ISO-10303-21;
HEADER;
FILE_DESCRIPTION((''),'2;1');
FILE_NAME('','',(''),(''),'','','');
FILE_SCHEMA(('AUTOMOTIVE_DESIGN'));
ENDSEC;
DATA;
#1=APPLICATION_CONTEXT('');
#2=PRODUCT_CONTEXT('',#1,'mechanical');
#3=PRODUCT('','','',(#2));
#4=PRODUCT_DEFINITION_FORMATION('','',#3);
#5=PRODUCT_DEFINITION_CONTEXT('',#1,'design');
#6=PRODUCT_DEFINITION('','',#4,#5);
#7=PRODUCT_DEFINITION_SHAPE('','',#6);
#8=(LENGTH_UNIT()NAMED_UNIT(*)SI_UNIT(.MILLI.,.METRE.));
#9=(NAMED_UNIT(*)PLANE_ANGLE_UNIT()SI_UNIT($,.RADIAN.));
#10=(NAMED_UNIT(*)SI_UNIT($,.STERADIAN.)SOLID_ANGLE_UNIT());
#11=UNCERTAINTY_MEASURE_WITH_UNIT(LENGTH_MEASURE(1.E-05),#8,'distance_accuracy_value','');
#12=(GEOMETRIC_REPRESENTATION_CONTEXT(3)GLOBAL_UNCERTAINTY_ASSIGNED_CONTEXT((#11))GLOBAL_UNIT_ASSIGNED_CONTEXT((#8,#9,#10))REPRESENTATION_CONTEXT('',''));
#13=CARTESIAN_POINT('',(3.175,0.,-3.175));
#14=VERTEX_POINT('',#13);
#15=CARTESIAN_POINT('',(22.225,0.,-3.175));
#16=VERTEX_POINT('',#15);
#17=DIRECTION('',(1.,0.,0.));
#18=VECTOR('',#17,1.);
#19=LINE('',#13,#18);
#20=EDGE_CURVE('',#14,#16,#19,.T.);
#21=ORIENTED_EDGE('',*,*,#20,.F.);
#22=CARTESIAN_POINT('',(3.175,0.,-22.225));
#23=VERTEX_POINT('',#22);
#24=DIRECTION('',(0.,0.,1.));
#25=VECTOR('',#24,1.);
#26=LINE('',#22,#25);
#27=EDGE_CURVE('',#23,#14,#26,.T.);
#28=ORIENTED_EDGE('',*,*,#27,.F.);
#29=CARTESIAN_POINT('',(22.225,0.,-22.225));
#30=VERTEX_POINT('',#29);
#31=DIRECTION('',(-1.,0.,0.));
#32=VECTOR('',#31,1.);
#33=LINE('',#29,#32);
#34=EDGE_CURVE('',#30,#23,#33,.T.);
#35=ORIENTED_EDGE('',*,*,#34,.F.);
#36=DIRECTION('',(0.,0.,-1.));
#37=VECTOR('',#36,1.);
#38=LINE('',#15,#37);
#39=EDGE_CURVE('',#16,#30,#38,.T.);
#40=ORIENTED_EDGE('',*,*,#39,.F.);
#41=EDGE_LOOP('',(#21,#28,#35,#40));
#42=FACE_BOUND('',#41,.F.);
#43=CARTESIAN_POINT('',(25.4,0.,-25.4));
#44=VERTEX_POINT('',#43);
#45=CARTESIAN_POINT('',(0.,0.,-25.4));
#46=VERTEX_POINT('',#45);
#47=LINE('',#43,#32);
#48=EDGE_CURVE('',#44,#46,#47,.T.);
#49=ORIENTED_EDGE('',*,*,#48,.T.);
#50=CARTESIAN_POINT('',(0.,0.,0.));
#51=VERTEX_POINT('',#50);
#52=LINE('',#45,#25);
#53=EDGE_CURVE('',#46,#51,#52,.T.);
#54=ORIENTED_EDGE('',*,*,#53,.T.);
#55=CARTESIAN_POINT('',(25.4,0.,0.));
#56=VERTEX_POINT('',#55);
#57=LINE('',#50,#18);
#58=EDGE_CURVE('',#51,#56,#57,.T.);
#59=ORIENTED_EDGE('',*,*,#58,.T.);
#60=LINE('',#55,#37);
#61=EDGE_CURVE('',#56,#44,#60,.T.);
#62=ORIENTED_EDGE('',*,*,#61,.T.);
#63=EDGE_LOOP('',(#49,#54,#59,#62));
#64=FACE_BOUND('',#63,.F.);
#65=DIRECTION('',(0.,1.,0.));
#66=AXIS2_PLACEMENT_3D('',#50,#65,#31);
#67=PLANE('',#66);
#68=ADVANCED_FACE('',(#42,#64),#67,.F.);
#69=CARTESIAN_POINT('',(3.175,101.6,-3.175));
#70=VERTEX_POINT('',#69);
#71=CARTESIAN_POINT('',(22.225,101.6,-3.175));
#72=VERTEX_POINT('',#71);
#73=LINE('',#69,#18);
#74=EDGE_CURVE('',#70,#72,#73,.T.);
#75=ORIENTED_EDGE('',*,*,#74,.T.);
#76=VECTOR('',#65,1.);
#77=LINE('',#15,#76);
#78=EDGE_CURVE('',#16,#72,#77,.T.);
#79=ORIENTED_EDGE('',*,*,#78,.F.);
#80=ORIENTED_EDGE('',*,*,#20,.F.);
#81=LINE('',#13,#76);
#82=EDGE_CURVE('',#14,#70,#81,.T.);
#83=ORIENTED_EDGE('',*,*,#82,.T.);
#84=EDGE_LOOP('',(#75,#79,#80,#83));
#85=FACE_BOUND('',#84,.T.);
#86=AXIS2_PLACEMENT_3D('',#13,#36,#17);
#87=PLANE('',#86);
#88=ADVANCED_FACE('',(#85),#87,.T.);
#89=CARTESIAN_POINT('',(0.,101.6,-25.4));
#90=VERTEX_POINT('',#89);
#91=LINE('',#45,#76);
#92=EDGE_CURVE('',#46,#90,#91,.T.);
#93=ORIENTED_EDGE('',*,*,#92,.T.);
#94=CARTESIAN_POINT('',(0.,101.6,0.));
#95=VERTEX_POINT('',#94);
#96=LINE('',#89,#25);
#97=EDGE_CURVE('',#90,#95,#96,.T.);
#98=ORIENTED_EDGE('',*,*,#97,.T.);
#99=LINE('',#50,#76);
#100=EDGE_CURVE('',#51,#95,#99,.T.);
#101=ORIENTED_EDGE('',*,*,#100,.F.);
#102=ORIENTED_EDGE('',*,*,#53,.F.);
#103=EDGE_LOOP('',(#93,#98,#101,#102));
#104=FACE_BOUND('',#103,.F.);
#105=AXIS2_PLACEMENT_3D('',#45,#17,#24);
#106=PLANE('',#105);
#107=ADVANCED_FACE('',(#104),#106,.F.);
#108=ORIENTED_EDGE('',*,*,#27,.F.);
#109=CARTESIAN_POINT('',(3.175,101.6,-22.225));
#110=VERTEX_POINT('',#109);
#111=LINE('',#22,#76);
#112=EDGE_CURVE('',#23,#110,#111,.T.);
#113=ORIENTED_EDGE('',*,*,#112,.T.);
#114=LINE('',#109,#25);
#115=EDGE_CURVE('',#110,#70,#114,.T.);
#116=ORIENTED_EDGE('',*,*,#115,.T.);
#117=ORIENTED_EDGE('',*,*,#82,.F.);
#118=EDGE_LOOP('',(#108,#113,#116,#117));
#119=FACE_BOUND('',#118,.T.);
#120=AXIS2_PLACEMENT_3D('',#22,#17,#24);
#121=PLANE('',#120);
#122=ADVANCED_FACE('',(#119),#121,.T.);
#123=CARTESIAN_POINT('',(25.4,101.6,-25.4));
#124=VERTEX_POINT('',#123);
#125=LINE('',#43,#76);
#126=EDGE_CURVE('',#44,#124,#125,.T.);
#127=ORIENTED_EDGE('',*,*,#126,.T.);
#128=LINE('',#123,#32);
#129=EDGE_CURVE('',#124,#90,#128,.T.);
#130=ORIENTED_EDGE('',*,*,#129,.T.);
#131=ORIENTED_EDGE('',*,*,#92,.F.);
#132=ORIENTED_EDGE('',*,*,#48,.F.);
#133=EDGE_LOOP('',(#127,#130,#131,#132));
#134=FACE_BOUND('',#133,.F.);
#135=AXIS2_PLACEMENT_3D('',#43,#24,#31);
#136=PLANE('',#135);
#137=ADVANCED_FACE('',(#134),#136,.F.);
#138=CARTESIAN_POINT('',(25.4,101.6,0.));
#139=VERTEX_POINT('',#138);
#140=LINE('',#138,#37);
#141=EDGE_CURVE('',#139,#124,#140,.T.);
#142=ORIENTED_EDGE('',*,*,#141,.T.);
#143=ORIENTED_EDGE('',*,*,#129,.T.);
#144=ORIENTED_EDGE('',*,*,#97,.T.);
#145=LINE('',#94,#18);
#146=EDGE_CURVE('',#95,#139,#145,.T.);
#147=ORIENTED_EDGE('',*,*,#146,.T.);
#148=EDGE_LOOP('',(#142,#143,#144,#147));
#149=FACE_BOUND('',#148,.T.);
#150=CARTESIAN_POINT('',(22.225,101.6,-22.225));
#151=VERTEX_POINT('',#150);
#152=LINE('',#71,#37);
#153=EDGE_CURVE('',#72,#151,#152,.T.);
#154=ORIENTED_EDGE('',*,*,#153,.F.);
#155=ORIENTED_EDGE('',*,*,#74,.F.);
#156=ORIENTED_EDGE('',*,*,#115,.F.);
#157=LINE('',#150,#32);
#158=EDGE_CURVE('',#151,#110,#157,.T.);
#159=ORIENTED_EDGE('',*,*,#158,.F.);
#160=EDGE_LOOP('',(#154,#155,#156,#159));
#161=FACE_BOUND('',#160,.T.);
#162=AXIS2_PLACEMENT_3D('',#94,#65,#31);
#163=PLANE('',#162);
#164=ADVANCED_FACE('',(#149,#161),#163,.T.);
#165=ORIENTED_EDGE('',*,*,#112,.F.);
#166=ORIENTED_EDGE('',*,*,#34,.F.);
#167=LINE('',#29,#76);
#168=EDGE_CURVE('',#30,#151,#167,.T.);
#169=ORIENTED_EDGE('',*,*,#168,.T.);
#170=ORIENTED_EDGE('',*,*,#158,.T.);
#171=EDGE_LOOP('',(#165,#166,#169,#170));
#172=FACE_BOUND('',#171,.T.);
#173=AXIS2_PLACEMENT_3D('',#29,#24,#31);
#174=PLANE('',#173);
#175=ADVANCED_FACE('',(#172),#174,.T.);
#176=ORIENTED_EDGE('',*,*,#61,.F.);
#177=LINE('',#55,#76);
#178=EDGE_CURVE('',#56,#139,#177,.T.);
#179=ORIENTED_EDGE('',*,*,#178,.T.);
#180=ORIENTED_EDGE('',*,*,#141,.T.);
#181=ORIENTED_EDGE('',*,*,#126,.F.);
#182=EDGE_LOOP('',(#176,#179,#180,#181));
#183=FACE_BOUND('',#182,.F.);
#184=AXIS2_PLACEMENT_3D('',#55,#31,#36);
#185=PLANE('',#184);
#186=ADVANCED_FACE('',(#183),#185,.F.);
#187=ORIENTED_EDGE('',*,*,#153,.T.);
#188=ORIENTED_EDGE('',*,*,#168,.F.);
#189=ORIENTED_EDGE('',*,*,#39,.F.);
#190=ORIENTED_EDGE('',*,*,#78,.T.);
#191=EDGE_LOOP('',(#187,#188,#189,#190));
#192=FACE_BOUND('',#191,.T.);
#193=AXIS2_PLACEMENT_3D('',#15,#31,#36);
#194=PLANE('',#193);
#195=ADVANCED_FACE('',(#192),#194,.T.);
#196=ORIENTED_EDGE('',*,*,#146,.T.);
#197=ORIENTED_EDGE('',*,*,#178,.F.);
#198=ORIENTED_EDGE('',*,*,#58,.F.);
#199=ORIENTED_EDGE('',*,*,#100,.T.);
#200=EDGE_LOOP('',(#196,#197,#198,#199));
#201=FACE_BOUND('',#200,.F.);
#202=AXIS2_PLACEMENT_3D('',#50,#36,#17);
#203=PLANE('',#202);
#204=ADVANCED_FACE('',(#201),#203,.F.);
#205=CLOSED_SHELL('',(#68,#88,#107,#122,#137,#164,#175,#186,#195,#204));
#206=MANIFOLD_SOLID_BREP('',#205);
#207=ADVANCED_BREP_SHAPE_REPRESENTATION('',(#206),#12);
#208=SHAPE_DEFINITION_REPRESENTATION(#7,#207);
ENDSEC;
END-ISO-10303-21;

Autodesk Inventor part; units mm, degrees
ref_plane "YZ Plane" through (0, 0, 0) normal (1, 0, 0) x (0, 1, 0)
ref_plane "XZ Plane" through (0, 0, 0) normal (0, 1, 0) x (-1, 0, 0)
sketch "Sketch1" plane through (0, 0, 0) normal (0, 1, 0) x (-1, 0, 0)
  line L0 (0, 0) -> (-25.4, 0)
  line L1 (-25.4, 0) -> (-25.4, -25.4)
  line L2 (-25.4, -25.4) -> (0, -25.4)
  line L3 (0, -25.4) -> (0, 0)
  line L4 (-3.175, -3.175) -> (-22.225, -3.175)
  line L5 (-22.225, -3.175) -> (-22.225, -22.225)
  line L6 (-22.225, -22.225) -> (-3.175, -22.225)
  line L7 (-3.175, -22.225) -> (-3.175, -3.175)
  dimension "d0" = 25.4
  dimension "d1" = 25.4
  dimension "d2" = 3.175
extrude "Extrusion1" add sketch "Sketch1" along normal blind 101.6
ref_plane "Midplane" through (0, 0, -12.7) normal (0, 0, 1) x (1, 0, 0)
equation "\"d1\" = d0"
equation "\"d5\" = -0.5 * d0"
properties part number "CenterpieceMiddleSupport" material "Aluminum 6061"
